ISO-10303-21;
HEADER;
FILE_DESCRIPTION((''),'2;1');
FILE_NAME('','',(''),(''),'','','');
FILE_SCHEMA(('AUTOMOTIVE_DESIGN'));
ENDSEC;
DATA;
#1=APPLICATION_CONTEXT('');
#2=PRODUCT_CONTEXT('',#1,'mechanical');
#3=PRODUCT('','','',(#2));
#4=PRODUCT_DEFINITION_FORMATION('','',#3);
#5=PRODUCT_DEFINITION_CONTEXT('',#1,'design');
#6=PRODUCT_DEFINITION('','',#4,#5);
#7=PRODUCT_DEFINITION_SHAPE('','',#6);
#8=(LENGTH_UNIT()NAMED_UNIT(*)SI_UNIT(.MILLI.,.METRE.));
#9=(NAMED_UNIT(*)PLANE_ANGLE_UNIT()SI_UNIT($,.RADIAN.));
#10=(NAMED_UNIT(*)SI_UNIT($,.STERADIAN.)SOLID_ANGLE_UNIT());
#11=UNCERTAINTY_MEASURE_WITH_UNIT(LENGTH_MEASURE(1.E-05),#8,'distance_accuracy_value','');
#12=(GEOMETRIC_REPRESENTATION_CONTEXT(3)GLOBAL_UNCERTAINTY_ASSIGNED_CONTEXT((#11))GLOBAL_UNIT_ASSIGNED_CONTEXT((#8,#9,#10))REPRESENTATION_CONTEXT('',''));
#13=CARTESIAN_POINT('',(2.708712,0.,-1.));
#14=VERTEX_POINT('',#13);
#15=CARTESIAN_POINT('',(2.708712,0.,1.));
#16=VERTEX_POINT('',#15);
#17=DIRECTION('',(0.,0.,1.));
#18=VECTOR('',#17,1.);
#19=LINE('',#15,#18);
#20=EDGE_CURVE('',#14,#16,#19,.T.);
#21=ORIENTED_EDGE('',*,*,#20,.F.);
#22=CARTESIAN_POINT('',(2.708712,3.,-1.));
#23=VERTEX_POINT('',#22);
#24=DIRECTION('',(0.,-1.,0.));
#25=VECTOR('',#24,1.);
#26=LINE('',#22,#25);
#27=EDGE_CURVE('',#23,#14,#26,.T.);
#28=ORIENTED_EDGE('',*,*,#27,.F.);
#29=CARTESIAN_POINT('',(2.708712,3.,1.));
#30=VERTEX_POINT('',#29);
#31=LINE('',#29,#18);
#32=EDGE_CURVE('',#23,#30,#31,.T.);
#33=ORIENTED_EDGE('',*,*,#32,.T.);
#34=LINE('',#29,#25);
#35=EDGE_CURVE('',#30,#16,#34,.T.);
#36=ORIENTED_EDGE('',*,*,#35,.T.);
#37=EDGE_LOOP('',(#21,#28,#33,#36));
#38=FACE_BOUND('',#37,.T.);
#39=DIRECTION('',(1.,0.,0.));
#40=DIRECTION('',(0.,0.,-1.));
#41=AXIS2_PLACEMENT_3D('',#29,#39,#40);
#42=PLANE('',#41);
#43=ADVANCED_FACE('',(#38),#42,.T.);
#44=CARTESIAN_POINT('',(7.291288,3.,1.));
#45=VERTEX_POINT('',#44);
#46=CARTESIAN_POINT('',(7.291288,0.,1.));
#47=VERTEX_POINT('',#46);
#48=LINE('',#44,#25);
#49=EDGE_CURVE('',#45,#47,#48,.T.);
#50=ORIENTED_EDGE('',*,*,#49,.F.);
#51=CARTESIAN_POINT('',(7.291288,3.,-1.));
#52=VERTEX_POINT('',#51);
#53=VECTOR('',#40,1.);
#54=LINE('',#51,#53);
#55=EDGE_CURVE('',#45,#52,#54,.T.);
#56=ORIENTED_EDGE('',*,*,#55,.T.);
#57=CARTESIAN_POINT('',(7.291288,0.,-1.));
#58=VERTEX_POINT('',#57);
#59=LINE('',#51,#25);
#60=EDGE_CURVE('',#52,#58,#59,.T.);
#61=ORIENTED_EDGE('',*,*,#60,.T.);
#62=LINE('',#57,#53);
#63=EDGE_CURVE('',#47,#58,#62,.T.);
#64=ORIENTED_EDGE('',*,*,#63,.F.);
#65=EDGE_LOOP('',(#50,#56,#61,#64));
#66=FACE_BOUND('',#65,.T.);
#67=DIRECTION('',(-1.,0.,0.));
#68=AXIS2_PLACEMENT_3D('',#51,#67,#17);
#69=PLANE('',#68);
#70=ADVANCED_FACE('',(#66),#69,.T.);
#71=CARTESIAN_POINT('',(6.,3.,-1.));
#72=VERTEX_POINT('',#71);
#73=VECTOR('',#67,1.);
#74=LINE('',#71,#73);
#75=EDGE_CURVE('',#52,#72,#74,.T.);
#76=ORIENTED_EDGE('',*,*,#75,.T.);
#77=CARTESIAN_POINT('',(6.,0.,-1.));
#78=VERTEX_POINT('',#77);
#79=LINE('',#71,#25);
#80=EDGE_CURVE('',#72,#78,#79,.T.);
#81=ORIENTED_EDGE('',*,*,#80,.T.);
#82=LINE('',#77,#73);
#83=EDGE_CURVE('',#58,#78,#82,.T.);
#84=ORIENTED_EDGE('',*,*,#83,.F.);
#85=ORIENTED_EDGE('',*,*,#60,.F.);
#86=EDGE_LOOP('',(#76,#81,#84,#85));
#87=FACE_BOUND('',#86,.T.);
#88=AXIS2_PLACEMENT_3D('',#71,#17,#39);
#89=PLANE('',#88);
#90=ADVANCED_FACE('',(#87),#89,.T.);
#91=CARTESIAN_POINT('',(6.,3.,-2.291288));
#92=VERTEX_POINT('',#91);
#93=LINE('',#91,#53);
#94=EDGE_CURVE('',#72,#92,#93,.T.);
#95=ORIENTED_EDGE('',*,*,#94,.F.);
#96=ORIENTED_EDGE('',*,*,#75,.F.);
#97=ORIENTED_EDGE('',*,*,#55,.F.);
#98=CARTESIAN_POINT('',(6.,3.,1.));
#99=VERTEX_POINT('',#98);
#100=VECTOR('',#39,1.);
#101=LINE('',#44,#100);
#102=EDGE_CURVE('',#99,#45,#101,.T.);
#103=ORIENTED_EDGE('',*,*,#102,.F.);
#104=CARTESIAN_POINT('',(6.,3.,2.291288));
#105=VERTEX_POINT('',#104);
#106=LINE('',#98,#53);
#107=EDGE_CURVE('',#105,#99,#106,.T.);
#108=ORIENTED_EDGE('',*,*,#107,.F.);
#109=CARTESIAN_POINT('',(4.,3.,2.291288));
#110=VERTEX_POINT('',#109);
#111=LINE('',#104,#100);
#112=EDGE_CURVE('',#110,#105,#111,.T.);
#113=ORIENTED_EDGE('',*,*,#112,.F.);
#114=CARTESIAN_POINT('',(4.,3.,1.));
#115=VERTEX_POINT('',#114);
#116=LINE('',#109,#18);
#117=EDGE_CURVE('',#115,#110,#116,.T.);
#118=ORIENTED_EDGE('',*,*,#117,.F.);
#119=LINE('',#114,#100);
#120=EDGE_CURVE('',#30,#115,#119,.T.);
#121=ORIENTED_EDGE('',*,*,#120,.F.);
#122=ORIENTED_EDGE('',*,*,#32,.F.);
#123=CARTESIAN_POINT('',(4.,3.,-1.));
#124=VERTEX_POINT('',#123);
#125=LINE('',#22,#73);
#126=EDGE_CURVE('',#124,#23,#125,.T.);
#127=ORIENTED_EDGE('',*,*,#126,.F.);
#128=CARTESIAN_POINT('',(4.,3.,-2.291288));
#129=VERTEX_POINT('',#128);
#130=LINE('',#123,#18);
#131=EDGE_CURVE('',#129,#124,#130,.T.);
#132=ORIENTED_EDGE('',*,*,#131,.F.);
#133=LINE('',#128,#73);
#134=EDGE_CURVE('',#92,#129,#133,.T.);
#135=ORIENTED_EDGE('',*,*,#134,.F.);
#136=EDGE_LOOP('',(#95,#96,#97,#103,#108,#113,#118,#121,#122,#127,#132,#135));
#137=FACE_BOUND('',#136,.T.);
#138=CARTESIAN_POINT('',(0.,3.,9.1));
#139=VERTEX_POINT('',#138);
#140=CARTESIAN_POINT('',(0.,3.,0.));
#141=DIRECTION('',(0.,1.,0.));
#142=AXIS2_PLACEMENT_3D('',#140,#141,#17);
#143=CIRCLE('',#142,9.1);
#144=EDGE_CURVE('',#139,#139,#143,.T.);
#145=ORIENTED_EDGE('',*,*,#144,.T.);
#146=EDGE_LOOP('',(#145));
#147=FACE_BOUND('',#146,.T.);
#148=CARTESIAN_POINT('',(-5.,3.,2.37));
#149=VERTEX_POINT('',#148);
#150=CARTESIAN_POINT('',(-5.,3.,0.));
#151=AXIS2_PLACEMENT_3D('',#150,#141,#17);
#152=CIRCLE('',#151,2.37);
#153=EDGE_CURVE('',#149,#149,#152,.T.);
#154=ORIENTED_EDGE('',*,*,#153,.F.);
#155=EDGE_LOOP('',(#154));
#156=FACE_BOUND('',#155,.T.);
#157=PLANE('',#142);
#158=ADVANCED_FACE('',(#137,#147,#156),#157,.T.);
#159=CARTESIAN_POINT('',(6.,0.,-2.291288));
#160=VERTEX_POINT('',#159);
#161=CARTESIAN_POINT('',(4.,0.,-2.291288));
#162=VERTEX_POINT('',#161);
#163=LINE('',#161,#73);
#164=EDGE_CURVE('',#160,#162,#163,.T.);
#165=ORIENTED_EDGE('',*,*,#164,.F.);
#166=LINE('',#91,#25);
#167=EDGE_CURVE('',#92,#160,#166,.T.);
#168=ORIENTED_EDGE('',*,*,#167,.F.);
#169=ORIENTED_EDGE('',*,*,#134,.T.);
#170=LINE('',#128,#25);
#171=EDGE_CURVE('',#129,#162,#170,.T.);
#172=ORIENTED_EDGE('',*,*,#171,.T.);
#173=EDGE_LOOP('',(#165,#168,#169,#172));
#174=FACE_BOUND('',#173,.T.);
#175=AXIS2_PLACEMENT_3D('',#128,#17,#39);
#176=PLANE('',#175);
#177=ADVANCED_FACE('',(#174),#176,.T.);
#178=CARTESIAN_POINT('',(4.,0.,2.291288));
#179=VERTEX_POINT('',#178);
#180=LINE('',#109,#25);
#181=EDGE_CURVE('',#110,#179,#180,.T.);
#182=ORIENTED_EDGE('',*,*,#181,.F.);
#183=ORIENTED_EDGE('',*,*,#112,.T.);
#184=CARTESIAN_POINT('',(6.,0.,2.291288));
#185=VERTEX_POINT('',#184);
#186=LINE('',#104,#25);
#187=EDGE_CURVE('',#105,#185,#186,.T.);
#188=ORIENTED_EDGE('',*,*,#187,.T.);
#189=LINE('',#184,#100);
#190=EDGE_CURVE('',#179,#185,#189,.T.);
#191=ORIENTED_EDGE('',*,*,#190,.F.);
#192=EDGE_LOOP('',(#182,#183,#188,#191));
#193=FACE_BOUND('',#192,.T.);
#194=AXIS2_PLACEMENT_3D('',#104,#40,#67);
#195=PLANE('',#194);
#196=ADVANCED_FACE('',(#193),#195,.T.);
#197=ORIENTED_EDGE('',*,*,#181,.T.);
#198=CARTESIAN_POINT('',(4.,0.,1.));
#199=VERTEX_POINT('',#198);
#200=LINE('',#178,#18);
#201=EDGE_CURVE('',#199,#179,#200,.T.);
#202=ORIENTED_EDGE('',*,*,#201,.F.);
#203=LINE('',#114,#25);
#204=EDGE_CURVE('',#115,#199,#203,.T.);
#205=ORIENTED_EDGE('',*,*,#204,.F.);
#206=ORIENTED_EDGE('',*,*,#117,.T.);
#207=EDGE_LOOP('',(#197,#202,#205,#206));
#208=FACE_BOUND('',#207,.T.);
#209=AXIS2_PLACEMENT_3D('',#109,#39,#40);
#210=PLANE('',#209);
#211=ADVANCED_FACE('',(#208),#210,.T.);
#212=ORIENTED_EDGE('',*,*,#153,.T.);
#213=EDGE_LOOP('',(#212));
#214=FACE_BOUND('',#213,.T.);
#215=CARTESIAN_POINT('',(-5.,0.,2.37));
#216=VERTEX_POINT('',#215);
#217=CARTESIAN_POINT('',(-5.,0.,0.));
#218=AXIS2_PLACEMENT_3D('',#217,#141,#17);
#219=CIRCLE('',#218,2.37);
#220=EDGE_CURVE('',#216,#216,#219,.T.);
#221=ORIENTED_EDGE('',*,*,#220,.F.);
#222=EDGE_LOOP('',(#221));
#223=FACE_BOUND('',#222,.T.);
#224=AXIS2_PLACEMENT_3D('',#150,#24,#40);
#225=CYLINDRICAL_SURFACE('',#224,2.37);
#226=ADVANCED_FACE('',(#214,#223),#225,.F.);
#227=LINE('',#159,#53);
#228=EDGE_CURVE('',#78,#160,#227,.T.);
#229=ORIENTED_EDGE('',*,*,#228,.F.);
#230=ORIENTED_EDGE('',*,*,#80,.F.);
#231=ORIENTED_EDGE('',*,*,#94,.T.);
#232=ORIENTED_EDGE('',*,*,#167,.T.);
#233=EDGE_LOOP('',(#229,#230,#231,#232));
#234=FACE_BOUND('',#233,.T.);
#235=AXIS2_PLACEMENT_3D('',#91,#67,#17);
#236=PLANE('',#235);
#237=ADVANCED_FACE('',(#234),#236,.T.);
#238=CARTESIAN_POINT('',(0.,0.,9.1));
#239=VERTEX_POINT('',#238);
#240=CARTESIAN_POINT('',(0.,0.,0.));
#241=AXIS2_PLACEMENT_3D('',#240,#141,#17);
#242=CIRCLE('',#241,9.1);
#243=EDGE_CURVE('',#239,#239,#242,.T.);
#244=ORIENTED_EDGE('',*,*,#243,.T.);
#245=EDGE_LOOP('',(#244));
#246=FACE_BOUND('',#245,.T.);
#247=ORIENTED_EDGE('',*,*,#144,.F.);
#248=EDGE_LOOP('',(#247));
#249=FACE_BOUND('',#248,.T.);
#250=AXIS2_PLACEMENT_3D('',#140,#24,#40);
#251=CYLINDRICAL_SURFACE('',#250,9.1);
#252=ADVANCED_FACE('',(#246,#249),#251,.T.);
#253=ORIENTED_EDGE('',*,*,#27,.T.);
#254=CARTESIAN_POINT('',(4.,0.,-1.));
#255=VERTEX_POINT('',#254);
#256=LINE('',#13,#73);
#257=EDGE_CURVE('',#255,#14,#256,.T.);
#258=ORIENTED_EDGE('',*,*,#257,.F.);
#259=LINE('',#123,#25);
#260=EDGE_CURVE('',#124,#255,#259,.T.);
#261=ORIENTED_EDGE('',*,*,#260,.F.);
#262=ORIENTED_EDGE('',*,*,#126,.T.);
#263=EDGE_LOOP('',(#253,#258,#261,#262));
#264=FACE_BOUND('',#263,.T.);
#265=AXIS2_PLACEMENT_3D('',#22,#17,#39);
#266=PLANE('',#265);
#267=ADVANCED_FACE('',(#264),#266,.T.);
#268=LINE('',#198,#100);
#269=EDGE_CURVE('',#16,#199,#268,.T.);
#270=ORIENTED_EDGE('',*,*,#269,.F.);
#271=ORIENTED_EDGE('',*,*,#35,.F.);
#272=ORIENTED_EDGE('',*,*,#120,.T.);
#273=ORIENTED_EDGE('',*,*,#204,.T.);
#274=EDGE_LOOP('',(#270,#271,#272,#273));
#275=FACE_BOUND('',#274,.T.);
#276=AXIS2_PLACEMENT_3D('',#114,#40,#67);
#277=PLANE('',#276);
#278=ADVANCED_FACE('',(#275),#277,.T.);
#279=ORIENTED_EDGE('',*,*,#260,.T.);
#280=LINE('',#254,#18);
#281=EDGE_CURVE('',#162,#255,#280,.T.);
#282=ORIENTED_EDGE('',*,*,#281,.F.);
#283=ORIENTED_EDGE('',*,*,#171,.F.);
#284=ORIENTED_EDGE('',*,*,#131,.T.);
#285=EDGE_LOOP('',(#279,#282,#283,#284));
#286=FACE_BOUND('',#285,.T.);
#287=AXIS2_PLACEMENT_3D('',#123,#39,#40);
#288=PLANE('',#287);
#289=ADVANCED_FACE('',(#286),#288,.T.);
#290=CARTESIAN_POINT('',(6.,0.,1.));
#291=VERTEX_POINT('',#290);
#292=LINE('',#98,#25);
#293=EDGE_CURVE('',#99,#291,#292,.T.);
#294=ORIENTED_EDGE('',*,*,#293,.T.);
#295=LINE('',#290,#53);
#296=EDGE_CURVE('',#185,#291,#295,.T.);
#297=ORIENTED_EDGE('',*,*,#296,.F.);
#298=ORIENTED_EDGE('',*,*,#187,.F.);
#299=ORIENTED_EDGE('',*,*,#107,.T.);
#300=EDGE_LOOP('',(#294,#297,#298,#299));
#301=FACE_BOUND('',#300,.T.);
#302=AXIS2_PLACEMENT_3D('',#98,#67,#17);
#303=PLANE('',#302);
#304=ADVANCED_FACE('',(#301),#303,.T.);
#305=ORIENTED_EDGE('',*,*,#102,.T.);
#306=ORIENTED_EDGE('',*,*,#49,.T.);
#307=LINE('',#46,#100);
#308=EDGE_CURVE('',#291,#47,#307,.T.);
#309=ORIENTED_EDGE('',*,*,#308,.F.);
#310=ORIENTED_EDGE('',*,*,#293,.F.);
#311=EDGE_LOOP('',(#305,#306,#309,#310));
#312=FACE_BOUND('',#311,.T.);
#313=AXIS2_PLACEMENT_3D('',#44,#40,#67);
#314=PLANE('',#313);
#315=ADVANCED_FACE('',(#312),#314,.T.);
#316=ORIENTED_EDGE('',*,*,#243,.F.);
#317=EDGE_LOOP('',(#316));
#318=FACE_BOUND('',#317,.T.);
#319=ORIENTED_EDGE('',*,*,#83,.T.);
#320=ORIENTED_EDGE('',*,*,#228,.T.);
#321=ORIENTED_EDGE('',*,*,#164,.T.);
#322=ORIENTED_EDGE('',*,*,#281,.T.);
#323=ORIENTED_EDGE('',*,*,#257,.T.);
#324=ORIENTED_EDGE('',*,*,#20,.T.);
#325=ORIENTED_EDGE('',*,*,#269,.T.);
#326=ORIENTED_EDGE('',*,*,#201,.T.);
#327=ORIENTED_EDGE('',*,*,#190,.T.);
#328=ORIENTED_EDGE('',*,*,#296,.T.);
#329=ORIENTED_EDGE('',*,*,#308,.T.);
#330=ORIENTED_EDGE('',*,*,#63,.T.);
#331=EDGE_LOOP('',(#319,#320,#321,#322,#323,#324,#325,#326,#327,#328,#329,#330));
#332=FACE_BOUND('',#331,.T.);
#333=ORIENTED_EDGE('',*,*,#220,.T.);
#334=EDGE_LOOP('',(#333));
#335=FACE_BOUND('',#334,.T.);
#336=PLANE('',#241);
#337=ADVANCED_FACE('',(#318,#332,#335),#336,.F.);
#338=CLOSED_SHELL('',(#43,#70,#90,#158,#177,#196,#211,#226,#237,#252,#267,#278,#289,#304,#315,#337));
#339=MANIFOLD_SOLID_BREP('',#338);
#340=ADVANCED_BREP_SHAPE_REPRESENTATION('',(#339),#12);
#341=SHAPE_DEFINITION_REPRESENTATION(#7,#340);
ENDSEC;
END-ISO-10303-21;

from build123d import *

# Parameters (mm, degrees)
SKETCH1_R           = 9.1
SKETCH1_R_2         = 2.37
BOSS_EXTRUDE1_DEPTH = 3


with BuildPart() as part:
    # Sketch1 → Boss-Extrude1 (new body)
    with BuildSketch(Plane(origin=(0, 0, 0), x_dir=(1, 0, 0), z_dir=(0, 1, 0))):
        Circle(SKETCH1_R)
        with Locations((-5, 0)):
            Circle(SKETCH1_R_2, mode=Mode.SUBTRACT)
        Polygon((7.291287847, -1), (6, -1), (6, -2.291287847), (4, -2.291287847), (4, -1), (2.708712153, -1), (2.708712153, 1), (4, 1), (4, 2.291287847), (6, 2.291287847), (6, 1), (7.291287847, 1), align=None, mode=Mode.SUBTRACT)
    extrude(amount=BOSS_EXTRUDE1_DEPTH)


solid = part.part
